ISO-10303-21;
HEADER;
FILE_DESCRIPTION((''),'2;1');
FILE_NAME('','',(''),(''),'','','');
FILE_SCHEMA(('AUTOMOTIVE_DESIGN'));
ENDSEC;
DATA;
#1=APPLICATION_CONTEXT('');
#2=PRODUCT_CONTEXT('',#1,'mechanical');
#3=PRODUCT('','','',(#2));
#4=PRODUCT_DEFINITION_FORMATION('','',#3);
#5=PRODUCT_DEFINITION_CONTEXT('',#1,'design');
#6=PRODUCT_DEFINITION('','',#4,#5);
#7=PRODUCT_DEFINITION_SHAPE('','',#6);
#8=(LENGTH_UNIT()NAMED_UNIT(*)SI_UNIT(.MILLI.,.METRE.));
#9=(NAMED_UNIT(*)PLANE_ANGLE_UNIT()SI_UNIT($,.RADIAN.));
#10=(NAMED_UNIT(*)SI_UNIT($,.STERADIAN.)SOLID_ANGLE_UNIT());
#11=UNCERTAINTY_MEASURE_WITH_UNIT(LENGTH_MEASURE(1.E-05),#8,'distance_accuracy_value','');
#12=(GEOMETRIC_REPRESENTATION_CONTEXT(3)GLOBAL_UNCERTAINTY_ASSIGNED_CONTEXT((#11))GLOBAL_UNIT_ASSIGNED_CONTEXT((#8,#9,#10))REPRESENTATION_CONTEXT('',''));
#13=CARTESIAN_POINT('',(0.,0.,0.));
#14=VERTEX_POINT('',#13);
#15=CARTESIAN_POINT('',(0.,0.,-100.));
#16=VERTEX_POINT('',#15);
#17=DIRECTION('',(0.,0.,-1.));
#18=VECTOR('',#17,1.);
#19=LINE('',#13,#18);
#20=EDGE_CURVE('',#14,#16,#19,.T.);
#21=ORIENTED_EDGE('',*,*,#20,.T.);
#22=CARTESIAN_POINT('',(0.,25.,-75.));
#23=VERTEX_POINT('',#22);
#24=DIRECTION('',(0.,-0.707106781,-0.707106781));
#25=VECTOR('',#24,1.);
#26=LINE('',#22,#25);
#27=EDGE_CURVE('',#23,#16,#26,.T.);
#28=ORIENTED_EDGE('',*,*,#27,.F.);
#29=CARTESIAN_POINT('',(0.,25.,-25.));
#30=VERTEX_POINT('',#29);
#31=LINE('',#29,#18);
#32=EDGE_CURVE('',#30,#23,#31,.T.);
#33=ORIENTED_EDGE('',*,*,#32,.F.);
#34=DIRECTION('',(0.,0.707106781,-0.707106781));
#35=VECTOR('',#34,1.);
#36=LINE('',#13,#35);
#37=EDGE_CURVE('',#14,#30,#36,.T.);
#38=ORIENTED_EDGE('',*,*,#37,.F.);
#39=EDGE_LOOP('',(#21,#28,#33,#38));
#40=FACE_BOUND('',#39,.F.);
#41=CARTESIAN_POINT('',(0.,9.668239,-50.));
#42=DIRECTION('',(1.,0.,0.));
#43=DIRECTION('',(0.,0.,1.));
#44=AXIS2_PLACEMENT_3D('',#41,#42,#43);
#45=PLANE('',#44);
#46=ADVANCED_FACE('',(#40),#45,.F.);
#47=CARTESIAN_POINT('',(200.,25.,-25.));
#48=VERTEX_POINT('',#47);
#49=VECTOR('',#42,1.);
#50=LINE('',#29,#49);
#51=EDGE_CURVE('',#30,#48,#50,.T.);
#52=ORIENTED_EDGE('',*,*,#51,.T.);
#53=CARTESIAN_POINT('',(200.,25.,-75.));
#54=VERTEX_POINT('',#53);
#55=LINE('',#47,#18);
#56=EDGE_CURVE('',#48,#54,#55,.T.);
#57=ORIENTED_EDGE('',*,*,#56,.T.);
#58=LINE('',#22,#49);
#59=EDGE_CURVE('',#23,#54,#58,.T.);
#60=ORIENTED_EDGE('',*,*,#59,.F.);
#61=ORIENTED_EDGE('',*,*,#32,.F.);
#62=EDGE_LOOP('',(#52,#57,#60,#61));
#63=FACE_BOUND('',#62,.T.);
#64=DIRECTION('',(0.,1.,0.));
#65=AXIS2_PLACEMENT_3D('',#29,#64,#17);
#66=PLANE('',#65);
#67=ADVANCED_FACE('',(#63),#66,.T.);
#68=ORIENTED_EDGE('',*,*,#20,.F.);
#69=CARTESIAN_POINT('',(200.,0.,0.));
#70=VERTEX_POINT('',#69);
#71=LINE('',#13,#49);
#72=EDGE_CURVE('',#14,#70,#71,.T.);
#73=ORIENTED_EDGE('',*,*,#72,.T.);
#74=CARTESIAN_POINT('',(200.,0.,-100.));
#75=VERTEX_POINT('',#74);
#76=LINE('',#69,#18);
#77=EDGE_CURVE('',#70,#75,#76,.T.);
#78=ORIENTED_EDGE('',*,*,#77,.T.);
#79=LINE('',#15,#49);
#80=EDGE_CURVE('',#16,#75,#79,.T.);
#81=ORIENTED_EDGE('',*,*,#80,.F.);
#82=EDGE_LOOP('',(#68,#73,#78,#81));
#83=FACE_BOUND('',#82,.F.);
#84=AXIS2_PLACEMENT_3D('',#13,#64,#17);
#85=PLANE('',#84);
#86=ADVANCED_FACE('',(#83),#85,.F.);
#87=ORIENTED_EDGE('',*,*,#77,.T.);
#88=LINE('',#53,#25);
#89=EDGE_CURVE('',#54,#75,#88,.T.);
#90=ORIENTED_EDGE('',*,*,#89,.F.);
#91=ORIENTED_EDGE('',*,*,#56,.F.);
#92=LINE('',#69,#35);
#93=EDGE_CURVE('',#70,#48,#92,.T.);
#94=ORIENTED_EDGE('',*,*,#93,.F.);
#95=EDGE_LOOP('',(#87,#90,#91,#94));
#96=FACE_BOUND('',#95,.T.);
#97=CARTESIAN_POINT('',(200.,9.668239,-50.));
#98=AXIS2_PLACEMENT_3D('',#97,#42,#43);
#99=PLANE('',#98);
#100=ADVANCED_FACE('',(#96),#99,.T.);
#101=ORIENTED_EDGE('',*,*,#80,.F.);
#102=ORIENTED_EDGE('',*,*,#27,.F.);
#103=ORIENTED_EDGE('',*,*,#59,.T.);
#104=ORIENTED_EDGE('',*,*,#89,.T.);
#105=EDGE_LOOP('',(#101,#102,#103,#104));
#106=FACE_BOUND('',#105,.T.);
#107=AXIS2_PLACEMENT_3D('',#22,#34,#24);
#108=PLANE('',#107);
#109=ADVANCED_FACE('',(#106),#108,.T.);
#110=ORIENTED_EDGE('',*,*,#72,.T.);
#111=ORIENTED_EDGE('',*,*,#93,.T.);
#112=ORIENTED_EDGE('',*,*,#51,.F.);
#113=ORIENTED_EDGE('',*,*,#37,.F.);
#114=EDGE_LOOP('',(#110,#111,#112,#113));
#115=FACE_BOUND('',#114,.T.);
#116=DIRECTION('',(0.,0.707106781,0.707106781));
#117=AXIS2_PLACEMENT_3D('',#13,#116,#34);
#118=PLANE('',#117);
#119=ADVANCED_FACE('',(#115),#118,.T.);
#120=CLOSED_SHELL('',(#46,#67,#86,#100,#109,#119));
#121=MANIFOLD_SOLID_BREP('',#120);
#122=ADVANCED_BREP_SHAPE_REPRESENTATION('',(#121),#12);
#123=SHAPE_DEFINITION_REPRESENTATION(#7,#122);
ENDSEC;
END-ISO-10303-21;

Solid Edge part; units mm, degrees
sketch "Sketch1" plane through (0, 0, 0) normal (1, 0, 0) x (0, 1, 0)
  line L0 (0, 0) -> (0, -100)
  line L1 (25, -75) -> (0, -100)
  line L2 (25, -25) -> (25, -75)
  line L3 (0, 0) -> (25, -25)
  dimension "D1" = 100
  dimension "D2" = 50
  dimension "D3" = 25
extrude "Protrusion1" add sketch "Sketch1" along normal blind 200
properties material "Steel"
